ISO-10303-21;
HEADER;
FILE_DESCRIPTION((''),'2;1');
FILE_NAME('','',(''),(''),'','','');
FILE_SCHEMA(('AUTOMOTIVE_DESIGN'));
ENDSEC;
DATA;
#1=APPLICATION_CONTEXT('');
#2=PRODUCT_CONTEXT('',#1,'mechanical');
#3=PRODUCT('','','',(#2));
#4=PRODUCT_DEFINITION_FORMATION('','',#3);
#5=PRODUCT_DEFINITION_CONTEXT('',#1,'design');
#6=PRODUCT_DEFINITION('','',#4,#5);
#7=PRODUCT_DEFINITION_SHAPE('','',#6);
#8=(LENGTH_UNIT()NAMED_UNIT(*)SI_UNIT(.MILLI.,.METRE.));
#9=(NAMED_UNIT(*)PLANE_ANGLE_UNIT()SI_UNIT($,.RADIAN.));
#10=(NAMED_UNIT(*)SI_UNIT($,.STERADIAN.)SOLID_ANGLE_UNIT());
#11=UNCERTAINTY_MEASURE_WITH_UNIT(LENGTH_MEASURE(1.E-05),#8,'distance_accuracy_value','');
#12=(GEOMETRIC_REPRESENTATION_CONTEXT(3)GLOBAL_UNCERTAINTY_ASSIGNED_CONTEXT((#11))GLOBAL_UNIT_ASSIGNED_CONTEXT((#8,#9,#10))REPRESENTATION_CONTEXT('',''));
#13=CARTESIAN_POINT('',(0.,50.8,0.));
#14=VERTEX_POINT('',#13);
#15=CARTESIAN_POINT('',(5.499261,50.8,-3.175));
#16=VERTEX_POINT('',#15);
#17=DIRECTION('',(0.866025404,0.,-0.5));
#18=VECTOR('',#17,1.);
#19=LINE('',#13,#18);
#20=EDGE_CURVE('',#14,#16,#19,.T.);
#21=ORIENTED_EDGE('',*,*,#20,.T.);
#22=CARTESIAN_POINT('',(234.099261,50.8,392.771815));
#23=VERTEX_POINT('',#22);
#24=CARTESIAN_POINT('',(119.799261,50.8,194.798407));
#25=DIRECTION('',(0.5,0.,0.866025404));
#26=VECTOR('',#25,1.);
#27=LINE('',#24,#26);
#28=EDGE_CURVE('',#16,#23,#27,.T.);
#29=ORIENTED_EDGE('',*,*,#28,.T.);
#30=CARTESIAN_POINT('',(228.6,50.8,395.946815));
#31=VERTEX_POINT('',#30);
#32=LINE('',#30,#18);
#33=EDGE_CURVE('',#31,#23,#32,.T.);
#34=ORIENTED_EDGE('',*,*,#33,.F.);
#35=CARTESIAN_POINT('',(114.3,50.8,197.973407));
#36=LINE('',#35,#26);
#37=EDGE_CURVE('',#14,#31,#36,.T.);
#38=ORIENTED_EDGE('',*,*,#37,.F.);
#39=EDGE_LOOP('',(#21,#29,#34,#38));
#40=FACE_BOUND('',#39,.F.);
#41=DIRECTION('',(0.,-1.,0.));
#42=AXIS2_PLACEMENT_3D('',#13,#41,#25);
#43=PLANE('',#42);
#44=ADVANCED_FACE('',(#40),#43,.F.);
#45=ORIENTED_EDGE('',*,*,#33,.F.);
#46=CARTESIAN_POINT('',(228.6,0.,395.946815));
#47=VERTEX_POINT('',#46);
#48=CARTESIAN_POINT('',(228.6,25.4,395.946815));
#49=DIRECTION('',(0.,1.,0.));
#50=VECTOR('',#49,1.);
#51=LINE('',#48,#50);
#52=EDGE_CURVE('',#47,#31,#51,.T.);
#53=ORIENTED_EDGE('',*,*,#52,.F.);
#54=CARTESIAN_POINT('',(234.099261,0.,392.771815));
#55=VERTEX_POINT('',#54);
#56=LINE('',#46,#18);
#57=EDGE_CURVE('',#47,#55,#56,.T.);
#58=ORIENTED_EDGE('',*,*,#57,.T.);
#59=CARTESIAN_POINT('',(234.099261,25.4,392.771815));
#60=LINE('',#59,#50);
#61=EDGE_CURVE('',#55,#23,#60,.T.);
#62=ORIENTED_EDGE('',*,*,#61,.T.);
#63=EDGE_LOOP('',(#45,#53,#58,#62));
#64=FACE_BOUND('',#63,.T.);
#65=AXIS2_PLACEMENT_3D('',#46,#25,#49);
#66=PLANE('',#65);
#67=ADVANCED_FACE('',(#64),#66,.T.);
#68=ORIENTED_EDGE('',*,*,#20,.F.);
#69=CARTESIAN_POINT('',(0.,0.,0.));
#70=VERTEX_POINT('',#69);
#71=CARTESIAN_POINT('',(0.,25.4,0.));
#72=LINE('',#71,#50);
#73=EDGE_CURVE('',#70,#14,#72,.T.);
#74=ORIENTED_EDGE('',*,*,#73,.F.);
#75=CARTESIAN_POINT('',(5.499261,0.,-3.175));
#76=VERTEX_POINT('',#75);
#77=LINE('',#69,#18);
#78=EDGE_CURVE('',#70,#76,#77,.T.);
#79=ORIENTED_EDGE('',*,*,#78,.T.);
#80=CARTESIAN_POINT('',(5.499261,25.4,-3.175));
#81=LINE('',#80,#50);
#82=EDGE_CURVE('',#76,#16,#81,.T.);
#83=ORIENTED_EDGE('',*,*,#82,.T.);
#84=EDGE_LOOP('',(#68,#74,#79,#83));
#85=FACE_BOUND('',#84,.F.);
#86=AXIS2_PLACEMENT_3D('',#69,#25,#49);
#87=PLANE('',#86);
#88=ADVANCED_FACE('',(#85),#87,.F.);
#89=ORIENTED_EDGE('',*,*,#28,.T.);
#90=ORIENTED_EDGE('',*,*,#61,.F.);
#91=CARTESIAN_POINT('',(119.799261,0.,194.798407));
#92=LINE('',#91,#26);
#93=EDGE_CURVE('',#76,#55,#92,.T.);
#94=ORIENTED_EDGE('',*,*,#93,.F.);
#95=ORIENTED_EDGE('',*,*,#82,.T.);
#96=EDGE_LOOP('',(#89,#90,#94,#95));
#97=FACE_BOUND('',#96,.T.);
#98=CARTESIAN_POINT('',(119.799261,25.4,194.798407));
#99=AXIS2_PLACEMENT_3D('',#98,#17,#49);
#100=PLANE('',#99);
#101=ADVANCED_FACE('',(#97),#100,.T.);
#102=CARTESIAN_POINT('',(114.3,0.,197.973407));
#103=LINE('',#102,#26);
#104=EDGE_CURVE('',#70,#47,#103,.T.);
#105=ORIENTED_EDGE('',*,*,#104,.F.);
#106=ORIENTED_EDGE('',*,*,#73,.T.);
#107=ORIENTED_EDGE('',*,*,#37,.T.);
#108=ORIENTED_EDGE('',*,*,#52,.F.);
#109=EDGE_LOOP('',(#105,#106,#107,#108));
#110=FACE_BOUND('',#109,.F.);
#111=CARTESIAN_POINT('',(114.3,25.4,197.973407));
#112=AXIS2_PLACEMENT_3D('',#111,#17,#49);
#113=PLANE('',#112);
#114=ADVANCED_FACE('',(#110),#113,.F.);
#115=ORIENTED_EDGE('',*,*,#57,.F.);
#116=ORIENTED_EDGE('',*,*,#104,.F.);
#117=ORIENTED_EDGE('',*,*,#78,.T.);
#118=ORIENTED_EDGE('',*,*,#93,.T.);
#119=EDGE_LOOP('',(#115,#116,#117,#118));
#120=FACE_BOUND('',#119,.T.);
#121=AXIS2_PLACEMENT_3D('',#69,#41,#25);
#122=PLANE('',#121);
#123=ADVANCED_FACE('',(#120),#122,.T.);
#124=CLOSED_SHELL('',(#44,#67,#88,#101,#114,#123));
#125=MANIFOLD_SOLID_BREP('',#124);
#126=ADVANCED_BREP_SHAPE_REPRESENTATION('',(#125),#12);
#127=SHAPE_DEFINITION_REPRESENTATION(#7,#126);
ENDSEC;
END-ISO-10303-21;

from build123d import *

# Parameters (mm, degrees)
F0_W     = 50.8
F0_H     = 457.2
F1_DEPTH = 6.35
F2_ANGLE = 30


with BuildPart() as f1:
    # F0 (on Right) → F1 (new body)
    with BuildSketch(Plane.YZ):
        with Locations((25.4, 228.6)):
            Rectangle(F0_W, F0_H)
    extrude(amount=F1_DEPTH)


with BuildPart() as f1_1:
    # F2: moved
    add(f1.part.rotate(Axis((0, 25.4, 0), (0, 1, 0)), F2_ANGLE))


solid = f1_1.part
